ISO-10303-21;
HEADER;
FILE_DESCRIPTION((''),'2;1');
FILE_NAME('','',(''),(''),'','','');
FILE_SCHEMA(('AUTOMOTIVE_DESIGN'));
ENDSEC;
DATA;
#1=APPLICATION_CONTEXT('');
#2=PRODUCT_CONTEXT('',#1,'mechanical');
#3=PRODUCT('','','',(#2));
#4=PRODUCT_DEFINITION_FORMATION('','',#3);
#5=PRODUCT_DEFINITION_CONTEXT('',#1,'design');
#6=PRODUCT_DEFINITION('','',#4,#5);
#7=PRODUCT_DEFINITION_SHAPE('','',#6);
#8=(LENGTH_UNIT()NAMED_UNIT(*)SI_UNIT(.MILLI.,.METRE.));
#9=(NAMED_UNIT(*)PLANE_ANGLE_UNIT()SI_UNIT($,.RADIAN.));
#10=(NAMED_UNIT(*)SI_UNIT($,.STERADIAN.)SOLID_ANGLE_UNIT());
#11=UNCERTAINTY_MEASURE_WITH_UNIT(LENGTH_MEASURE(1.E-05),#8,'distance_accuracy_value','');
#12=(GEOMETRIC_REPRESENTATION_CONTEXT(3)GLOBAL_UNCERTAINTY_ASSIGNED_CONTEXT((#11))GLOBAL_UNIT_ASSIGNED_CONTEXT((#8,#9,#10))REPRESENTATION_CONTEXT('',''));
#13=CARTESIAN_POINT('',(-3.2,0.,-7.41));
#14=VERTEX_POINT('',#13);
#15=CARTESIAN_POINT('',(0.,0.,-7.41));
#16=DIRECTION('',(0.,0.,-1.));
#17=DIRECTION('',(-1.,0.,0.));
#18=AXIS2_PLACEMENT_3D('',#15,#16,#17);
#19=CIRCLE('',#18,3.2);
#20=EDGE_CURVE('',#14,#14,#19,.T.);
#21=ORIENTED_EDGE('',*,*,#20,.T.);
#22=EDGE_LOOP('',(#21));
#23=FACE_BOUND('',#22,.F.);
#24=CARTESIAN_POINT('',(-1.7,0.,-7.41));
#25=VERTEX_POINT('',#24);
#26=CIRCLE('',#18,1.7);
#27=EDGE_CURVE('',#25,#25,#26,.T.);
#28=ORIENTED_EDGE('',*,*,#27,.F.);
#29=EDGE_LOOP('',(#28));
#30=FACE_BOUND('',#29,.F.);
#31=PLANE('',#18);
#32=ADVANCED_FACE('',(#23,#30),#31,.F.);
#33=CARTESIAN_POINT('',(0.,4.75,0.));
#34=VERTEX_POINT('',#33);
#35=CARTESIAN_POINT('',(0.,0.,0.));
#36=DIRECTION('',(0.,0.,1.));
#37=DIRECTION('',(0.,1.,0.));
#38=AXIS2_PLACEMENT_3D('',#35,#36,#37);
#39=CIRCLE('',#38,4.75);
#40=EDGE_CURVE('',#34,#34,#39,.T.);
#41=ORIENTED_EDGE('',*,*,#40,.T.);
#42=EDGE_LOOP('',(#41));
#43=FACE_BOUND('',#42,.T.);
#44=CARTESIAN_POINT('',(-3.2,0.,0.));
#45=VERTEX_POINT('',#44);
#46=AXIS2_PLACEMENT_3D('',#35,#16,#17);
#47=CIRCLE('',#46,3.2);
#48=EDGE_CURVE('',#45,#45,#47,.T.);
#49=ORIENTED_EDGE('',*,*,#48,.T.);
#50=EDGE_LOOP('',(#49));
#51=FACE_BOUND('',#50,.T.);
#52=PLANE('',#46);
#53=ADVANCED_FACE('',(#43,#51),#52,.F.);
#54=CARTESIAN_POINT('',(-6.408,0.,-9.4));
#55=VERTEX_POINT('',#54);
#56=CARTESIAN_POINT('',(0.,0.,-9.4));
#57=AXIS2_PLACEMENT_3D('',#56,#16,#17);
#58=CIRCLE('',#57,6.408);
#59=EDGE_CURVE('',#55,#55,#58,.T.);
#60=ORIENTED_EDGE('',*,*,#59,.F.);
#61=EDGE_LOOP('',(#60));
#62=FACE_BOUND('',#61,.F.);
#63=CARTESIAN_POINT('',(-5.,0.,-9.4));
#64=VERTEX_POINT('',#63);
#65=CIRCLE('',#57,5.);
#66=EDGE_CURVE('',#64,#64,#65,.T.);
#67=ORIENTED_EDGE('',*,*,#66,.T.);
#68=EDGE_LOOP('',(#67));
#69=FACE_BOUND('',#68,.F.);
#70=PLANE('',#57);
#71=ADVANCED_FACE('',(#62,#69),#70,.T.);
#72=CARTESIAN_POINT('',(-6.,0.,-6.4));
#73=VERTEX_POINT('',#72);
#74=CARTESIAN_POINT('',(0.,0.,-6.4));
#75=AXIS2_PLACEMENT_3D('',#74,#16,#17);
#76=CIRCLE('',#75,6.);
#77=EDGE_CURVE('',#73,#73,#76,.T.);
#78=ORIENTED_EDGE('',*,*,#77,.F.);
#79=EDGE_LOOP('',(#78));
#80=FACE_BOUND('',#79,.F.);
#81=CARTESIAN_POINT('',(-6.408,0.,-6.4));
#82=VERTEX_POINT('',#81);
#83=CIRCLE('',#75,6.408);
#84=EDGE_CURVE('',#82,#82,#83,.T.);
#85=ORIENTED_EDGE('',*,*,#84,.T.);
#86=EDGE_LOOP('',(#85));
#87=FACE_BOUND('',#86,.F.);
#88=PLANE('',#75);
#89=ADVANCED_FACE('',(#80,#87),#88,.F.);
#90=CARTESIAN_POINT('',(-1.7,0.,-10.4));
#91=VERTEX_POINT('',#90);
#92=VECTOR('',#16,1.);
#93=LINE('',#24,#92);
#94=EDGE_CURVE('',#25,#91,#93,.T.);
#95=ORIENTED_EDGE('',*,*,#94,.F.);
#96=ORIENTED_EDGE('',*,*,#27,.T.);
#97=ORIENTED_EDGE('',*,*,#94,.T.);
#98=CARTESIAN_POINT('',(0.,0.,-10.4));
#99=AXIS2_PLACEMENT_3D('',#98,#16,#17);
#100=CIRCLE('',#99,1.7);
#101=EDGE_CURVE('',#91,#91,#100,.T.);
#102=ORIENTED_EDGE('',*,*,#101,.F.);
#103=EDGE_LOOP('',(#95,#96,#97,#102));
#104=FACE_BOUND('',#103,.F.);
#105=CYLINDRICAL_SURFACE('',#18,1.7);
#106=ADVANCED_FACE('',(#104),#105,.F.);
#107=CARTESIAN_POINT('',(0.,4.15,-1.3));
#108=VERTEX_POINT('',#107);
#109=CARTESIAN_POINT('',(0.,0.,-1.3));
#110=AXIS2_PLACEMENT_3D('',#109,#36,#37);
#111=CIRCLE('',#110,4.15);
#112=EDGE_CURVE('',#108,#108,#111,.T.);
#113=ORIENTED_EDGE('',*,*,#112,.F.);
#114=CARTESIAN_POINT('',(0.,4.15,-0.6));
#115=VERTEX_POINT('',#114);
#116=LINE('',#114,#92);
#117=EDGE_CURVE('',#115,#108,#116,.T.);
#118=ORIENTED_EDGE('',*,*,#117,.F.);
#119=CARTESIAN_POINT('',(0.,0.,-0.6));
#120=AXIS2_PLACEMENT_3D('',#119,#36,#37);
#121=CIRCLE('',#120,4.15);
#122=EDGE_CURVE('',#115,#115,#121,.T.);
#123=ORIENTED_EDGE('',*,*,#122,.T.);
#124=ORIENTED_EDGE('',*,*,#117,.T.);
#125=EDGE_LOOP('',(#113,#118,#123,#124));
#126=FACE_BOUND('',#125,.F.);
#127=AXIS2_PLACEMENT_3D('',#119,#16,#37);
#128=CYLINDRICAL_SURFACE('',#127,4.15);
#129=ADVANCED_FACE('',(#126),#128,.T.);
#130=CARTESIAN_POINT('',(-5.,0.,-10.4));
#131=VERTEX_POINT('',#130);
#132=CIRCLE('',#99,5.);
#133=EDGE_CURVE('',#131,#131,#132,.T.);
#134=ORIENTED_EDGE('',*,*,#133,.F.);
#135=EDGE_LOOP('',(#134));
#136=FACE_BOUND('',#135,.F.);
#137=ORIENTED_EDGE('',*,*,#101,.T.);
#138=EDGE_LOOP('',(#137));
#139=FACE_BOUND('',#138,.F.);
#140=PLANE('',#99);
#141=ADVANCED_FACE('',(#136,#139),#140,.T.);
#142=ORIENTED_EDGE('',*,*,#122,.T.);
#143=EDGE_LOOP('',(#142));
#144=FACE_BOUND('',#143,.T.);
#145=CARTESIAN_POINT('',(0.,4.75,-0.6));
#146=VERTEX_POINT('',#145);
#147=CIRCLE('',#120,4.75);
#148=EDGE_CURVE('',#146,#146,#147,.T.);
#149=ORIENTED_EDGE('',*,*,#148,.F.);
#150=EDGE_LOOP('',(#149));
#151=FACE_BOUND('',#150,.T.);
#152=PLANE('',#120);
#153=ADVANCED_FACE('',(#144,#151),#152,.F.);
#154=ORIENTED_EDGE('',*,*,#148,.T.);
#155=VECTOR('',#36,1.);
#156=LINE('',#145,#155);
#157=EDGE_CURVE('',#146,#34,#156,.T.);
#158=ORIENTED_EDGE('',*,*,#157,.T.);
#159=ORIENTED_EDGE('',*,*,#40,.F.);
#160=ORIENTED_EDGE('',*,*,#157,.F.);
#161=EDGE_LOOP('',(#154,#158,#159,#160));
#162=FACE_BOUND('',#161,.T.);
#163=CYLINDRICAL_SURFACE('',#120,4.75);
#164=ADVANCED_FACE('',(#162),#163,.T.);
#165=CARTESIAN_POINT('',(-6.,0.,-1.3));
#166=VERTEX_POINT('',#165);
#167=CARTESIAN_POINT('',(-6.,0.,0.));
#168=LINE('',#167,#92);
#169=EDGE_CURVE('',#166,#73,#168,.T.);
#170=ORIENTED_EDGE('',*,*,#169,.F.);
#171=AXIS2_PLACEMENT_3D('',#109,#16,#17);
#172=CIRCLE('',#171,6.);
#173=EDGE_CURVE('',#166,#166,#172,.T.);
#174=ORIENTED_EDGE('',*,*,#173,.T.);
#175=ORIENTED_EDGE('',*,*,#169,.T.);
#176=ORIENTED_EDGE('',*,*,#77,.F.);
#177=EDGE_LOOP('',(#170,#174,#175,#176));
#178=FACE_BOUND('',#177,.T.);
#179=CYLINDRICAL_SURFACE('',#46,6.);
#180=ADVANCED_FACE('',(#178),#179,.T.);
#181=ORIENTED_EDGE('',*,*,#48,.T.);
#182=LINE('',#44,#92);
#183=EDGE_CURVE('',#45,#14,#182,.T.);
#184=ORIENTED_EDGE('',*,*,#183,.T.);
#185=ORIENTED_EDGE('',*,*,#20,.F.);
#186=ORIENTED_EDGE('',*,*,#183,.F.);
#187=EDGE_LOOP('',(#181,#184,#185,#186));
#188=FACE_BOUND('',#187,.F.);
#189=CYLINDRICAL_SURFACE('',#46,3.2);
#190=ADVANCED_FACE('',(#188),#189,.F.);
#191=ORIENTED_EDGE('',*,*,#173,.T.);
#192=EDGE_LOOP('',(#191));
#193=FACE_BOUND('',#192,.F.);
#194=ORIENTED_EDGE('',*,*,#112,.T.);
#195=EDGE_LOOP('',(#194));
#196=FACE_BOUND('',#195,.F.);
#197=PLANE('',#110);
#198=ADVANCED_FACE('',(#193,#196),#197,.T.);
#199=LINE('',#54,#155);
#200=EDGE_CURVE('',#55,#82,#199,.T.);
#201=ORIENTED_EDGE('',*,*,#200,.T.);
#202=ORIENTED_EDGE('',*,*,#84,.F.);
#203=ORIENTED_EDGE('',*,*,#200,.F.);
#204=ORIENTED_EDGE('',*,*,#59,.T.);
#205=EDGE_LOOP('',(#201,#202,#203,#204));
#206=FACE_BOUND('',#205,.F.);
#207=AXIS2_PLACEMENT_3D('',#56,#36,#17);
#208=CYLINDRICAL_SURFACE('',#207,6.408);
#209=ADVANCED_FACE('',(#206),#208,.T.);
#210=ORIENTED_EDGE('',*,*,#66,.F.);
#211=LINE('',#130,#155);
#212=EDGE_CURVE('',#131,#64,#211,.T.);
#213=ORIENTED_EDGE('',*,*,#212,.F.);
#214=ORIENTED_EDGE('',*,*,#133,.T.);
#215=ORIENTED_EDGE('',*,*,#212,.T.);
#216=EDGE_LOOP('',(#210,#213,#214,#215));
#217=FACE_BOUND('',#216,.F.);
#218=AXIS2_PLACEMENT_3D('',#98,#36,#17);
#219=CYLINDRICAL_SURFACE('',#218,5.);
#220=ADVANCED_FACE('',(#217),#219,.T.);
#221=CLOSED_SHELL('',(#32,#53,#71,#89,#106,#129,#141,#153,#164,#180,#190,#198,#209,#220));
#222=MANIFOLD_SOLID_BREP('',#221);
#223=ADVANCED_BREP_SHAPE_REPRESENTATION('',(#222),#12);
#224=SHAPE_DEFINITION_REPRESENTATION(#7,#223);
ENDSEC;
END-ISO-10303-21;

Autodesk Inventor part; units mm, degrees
ref_plane "YZ Plane" through (0, 0, 0) normal (1, 0, 0) x (0, 1, 0)
ref_plane "XZ Plane" through (0, 0, 0) normal (0, 1, 0) x (-1, 0, 0)
ref_plane "XY Plane" through (0, 0, 0) normal (0, 0, 1) x (1, 0, 0)
sketch "Sketch1" plane through (0, 0, 0) normal (0, 1, 0) x (-1, 0, 0)
  line L0 (1.7, -10.4) -> (5, -10.4)
  line L1 (5, -10.4) -> (5, -9.4)
  line L2 (3.2, -7.41) -> (1.7, -7.41)
  line L3 (1.7, -7.41) -> (1.7, -10.4)
  line L4 (5, -9.4) -> (6.408, -9.4)
  line L5 (6.408, -9.4) -> (6.408, -6.4)
  line L6 (6.408, -6.4) -> (6, -6.4)
  line L7 (3.2, 0) -> (3.2, -7.41)
  line L8 (3.2, 0) -> (6, 0)
  line L9 (6, 0) -> (6, -6.4)
  line L10 (0, 0) -> (0, -11.6607)
  dimension "d0" = 5
  dimension "d1" = 10.4
  dimension "d2" = 1
  dimension "d3" = 0
  dimension "d4" = 3
  dimension "d5" = 7.41
  dimension "d6" = 1.7
  dimension "d8" = 6
  dimension "d9" = 6.408
  dimension "d10" = 3.2
revolve "Revolution1" add sketch "Sketch1" angle 360 about axis through (0, 0, 0) along (0, 0, -1)
sketch "Sketch3" plane through (0, 0, 0) normal (1, 0, 0) x (0, 1, 0)
  line L0 (1.7, -10.4) -> (1.7, -7.41) construction
  line L1 (1.7, -7.41) -> (3.2, -7.41) construction
  line L2 (3.2, -7.41) -> (3.2, 0) construction
  line L3 (3.2, 0) -> (6, 0) construction
  line L4 (6, 0) -> (6, -6.4) construction
  line L5 (6, -6.4) -> (6.408, -6.4) construction
  line L6 (6.408, -6.4) -> (6.408, -9.4) construction
  line L7 (6.408, -9.4) -> (5, -9.4) construction
  line L8 (5, -9.4) -> (5, -10.4) construction
  line L9 (5, -10.4) -> (1.7, -10.4) construction
  line L10 (-1.7, -7.41) -> (-1.7, -10.4) construction
  line L11 (-1.7, -10.4) -> (-5, -10.4) construction
  line L12 (-5, -10.4) -> (-5, -9.4) construction
  line L13 (-5, -9.4) -> (-6.408, -9.4) construction
  line L14 (-6.408, -9.4) -> (-6.408, -6.4) construction
  line L15 (-6.408, -6.4) -> (-6, -6.4) construction
  line L16 (-6, -6.4) -> (-6, 0) construction
  line L17 (-6, 0) -> (-3.2, 0) construction
  line L18 (-3.2, 0) -> (-3.2, -7.41) construction
  line L19 (-3.2, -7.41) -> (-1.7, -7.41) construction
  line L20 (6, 0) -> (4.15, 0)
  line L21 (4.15, -0.6) -> (4.15, -1.3)
  line L22 (4.15, -1.3) -> (6, -1.3)
  line L23 (6, -1.3) -> (6, 0)
  line L24 (-6, 0) -> (6, 0) projected
  line L25 (4.15, -0.6) -> (4.75, -0.6)
  line L26 (4.75, -0.6) -> (4.75, 0)
  line L27 (4.75, 0) -> (4.15, 0)
  line L28 (0, -12.48) -> (0, 2.08) projected
  point P0 (0, 0)
  dimension "d13" = 0.6
  dimension "d14" = 1.3
  dimension "d15" = 4.15
  dimension "d16" = 4.75
revolve "Revolution2" cut sketch "Sketch3" angle 360 about axis through (0, 0, -10) along (0, 0, 1)
properties part number "500-107" material "Steel"
